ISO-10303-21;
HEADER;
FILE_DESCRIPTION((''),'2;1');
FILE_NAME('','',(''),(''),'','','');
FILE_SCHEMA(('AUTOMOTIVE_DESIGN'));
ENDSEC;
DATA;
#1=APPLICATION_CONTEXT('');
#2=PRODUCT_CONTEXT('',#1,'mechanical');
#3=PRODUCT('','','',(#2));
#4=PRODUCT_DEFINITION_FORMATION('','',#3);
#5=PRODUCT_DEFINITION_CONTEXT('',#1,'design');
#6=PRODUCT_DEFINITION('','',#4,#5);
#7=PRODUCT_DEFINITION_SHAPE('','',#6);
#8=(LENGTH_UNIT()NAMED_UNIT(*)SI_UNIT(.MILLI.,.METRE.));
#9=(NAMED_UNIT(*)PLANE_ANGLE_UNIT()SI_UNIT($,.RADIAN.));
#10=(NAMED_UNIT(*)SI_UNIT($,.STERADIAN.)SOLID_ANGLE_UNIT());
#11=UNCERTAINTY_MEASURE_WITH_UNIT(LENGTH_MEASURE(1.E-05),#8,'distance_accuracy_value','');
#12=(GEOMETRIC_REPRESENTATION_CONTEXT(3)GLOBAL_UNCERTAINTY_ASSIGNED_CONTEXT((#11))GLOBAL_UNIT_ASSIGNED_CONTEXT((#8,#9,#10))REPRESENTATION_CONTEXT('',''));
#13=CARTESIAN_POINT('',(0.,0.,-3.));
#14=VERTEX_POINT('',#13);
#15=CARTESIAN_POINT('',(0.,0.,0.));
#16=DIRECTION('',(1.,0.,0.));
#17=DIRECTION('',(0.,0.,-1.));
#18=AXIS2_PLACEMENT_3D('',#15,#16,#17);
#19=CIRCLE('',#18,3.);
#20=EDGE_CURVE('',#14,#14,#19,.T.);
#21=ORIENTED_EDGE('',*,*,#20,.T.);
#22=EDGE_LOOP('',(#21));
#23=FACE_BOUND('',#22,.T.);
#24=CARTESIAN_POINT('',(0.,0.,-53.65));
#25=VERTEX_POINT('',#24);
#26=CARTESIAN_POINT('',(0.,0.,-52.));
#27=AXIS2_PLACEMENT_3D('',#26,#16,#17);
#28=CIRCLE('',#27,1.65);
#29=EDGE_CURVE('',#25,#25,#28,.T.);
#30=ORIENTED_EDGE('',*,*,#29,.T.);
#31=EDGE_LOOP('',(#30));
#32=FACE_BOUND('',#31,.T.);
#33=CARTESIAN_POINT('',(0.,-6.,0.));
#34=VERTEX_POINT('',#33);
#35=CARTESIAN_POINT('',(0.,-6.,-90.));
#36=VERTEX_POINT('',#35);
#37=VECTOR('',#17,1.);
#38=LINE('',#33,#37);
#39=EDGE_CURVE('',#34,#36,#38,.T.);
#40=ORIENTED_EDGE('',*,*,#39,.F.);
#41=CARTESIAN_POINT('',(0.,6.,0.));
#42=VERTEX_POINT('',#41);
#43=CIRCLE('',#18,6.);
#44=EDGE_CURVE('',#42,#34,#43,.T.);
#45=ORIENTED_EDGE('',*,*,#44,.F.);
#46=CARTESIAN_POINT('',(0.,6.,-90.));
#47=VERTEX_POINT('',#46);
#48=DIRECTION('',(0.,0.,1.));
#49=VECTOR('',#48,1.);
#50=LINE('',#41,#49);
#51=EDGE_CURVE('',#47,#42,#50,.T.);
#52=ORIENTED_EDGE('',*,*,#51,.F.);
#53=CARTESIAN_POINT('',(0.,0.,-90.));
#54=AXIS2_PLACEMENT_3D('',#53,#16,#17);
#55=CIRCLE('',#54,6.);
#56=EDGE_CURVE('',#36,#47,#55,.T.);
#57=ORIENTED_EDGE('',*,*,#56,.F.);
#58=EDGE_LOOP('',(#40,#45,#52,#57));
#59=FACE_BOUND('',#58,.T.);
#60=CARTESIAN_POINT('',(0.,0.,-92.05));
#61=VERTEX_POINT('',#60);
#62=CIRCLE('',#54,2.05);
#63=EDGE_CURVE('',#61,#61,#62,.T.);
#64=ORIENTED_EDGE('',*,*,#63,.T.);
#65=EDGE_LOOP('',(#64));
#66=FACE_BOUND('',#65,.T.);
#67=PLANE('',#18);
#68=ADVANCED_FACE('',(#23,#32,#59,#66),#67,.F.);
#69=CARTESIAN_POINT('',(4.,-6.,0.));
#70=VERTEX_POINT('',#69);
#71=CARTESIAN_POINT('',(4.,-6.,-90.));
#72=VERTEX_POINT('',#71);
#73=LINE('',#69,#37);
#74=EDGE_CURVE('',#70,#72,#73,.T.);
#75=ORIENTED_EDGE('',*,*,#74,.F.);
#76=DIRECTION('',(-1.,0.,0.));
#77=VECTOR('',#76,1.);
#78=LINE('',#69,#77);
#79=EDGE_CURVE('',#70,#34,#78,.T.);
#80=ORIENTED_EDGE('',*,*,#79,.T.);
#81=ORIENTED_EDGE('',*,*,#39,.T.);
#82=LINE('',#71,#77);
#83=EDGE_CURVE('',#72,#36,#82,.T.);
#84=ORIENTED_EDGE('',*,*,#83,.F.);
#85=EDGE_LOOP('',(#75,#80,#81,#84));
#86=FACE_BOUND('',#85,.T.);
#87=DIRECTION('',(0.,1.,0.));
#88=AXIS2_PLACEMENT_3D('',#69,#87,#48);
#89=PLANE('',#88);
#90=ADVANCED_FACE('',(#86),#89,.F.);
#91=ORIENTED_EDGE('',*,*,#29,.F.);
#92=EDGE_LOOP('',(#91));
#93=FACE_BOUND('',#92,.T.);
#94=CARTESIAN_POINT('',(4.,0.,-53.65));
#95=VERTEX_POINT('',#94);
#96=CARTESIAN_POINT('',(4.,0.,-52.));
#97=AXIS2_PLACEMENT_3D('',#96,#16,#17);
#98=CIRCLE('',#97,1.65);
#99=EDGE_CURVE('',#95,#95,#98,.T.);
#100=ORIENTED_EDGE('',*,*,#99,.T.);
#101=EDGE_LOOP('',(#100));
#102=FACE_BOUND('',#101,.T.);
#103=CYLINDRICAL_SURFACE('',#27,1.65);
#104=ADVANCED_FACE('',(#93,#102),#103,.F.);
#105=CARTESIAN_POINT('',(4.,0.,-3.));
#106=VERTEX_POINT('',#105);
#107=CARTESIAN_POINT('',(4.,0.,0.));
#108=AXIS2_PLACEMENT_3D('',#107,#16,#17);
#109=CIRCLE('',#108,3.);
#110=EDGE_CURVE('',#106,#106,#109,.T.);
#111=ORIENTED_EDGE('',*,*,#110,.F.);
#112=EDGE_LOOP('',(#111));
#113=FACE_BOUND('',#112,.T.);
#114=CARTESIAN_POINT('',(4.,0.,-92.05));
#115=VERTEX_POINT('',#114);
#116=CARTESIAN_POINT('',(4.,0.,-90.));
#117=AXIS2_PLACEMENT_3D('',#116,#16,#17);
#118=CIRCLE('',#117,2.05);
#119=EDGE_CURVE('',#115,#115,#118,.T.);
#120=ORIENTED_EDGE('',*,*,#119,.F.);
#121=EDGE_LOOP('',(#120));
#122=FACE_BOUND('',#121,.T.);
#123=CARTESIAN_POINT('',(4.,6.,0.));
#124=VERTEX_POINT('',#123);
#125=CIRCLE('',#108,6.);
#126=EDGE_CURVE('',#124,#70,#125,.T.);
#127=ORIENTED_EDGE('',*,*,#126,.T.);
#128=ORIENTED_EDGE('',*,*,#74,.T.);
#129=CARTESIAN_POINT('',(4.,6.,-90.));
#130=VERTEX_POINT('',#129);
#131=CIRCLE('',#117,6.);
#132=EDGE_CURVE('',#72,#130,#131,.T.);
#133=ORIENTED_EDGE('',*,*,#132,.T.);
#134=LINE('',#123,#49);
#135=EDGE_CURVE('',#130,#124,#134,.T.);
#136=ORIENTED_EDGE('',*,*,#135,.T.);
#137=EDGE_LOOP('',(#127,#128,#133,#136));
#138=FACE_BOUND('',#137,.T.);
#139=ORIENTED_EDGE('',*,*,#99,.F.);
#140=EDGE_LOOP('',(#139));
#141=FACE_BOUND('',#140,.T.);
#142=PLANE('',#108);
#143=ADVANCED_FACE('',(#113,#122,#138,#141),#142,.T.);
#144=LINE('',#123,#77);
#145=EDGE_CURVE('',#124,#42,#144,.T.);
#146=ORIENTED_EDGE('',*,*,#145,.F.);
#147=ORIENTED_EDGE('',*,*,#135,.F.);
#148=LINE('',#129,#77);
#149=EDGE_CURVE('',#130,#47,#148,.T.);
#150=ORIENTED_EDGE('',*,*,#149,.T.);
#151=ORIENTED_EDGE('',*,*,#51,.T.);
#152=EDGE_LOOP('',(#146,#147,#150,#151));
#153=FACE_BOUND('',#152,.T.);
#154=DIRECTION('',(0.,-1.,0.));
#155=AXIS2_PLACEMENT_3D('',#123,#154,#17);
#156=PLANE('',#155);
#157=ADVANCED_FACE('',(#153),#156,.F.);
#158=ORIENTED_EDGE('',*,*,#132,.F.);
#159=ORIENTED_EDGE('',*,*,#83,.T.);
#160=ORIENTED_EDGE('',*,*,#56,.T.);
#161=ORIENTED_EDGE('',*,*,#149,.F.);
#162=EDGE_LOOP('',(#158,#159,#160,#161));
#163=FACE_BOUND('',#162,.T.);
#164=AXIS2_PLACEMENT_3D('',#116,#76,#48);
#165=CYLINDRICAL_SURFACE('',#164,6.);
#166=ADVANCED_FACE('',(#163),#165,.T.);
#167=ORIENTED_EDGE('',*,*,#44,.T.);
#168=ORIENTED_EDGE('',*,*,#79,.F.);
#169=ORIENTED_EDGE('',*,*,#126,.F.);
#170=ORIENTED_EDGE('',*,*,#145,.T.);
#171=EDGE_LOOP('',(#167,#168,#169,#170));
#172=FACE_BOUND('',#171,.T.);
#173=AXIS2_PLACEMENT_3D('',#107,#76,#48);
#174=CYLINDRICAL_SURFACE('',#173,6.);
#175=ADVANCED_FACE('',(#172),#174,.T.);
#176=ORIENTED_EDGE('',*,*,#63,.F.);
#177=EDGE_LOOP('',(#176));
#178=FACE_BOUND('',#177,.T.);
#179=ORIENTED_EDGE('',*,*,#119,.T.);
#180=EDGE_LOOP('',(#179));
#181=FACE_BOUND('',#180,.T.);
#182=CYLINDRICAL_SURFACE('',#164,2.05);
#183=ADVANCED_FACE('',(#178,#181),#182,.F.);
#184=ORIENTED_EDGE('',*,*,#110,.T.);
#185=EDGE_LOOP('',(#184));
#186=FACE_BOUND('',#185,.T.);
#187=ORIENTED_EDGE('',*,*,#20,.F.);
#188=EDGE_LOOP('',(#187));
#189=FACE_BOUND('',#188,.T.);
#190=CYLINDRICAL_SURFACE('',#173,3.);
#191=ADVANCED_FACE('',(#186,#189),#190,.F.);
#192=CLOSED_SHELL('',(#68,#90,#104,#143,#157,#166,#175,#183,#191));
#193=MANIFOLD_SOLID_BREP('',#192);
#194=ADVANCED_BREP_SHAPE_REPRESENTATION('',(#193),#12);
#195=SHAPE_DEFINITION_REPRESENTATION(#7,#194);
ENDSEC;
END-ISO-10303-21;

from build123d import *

# Parameters (mm, degrees)
SKETCH_1_R          = 3
SKETCH_1_R_2        = 2.05
EXTRUDE_1_DEPTH     = 4
SKETCH_2_R          = 1.65
CUT_EXTRUDE_1_DEPTH = 5


with BuildPart() as part:
    # 草图1 → 凸台-拉伸1 (new body)
    with BuildSketch(Plane(origin=(0, 0, 0), x_dir=(0, 0, -1), z_dir=(1, 0, 0))):
        with BuildLine():
            Line((0, 6), (90, 6))
            ThreePointArc((90, 6), (96, 0), (90, -6))
            Line((90, -6), (0, -6))
            ThreePointArc((0, -6), (-6, 0), (0, 6))
        make_face()
        Circle(SKETCH_1_R, mode=Mode.SUBTRACT)
        with Locations((90, 0)):
            Circle(SKETCH_1_R_2, mode=Mode.SUBTRACT)
    extrude(amount=EXTRUDE_1_DEPTH)

    # 草图2 → 切除-拉伸1 (cut, through all)
    with BuildSketch(Plane(origin=(4, 0, 0), x_dir=(0, 0, -1), z_dir=(1, 0, 0))):
        with Locations((52, 0)):
            Circle(SKETCH_2_R)
    extrude(amount=-CUT_EXTRUDE_1_DEPTH, mode=Mode.SUBTRACT)


solid = part.part
